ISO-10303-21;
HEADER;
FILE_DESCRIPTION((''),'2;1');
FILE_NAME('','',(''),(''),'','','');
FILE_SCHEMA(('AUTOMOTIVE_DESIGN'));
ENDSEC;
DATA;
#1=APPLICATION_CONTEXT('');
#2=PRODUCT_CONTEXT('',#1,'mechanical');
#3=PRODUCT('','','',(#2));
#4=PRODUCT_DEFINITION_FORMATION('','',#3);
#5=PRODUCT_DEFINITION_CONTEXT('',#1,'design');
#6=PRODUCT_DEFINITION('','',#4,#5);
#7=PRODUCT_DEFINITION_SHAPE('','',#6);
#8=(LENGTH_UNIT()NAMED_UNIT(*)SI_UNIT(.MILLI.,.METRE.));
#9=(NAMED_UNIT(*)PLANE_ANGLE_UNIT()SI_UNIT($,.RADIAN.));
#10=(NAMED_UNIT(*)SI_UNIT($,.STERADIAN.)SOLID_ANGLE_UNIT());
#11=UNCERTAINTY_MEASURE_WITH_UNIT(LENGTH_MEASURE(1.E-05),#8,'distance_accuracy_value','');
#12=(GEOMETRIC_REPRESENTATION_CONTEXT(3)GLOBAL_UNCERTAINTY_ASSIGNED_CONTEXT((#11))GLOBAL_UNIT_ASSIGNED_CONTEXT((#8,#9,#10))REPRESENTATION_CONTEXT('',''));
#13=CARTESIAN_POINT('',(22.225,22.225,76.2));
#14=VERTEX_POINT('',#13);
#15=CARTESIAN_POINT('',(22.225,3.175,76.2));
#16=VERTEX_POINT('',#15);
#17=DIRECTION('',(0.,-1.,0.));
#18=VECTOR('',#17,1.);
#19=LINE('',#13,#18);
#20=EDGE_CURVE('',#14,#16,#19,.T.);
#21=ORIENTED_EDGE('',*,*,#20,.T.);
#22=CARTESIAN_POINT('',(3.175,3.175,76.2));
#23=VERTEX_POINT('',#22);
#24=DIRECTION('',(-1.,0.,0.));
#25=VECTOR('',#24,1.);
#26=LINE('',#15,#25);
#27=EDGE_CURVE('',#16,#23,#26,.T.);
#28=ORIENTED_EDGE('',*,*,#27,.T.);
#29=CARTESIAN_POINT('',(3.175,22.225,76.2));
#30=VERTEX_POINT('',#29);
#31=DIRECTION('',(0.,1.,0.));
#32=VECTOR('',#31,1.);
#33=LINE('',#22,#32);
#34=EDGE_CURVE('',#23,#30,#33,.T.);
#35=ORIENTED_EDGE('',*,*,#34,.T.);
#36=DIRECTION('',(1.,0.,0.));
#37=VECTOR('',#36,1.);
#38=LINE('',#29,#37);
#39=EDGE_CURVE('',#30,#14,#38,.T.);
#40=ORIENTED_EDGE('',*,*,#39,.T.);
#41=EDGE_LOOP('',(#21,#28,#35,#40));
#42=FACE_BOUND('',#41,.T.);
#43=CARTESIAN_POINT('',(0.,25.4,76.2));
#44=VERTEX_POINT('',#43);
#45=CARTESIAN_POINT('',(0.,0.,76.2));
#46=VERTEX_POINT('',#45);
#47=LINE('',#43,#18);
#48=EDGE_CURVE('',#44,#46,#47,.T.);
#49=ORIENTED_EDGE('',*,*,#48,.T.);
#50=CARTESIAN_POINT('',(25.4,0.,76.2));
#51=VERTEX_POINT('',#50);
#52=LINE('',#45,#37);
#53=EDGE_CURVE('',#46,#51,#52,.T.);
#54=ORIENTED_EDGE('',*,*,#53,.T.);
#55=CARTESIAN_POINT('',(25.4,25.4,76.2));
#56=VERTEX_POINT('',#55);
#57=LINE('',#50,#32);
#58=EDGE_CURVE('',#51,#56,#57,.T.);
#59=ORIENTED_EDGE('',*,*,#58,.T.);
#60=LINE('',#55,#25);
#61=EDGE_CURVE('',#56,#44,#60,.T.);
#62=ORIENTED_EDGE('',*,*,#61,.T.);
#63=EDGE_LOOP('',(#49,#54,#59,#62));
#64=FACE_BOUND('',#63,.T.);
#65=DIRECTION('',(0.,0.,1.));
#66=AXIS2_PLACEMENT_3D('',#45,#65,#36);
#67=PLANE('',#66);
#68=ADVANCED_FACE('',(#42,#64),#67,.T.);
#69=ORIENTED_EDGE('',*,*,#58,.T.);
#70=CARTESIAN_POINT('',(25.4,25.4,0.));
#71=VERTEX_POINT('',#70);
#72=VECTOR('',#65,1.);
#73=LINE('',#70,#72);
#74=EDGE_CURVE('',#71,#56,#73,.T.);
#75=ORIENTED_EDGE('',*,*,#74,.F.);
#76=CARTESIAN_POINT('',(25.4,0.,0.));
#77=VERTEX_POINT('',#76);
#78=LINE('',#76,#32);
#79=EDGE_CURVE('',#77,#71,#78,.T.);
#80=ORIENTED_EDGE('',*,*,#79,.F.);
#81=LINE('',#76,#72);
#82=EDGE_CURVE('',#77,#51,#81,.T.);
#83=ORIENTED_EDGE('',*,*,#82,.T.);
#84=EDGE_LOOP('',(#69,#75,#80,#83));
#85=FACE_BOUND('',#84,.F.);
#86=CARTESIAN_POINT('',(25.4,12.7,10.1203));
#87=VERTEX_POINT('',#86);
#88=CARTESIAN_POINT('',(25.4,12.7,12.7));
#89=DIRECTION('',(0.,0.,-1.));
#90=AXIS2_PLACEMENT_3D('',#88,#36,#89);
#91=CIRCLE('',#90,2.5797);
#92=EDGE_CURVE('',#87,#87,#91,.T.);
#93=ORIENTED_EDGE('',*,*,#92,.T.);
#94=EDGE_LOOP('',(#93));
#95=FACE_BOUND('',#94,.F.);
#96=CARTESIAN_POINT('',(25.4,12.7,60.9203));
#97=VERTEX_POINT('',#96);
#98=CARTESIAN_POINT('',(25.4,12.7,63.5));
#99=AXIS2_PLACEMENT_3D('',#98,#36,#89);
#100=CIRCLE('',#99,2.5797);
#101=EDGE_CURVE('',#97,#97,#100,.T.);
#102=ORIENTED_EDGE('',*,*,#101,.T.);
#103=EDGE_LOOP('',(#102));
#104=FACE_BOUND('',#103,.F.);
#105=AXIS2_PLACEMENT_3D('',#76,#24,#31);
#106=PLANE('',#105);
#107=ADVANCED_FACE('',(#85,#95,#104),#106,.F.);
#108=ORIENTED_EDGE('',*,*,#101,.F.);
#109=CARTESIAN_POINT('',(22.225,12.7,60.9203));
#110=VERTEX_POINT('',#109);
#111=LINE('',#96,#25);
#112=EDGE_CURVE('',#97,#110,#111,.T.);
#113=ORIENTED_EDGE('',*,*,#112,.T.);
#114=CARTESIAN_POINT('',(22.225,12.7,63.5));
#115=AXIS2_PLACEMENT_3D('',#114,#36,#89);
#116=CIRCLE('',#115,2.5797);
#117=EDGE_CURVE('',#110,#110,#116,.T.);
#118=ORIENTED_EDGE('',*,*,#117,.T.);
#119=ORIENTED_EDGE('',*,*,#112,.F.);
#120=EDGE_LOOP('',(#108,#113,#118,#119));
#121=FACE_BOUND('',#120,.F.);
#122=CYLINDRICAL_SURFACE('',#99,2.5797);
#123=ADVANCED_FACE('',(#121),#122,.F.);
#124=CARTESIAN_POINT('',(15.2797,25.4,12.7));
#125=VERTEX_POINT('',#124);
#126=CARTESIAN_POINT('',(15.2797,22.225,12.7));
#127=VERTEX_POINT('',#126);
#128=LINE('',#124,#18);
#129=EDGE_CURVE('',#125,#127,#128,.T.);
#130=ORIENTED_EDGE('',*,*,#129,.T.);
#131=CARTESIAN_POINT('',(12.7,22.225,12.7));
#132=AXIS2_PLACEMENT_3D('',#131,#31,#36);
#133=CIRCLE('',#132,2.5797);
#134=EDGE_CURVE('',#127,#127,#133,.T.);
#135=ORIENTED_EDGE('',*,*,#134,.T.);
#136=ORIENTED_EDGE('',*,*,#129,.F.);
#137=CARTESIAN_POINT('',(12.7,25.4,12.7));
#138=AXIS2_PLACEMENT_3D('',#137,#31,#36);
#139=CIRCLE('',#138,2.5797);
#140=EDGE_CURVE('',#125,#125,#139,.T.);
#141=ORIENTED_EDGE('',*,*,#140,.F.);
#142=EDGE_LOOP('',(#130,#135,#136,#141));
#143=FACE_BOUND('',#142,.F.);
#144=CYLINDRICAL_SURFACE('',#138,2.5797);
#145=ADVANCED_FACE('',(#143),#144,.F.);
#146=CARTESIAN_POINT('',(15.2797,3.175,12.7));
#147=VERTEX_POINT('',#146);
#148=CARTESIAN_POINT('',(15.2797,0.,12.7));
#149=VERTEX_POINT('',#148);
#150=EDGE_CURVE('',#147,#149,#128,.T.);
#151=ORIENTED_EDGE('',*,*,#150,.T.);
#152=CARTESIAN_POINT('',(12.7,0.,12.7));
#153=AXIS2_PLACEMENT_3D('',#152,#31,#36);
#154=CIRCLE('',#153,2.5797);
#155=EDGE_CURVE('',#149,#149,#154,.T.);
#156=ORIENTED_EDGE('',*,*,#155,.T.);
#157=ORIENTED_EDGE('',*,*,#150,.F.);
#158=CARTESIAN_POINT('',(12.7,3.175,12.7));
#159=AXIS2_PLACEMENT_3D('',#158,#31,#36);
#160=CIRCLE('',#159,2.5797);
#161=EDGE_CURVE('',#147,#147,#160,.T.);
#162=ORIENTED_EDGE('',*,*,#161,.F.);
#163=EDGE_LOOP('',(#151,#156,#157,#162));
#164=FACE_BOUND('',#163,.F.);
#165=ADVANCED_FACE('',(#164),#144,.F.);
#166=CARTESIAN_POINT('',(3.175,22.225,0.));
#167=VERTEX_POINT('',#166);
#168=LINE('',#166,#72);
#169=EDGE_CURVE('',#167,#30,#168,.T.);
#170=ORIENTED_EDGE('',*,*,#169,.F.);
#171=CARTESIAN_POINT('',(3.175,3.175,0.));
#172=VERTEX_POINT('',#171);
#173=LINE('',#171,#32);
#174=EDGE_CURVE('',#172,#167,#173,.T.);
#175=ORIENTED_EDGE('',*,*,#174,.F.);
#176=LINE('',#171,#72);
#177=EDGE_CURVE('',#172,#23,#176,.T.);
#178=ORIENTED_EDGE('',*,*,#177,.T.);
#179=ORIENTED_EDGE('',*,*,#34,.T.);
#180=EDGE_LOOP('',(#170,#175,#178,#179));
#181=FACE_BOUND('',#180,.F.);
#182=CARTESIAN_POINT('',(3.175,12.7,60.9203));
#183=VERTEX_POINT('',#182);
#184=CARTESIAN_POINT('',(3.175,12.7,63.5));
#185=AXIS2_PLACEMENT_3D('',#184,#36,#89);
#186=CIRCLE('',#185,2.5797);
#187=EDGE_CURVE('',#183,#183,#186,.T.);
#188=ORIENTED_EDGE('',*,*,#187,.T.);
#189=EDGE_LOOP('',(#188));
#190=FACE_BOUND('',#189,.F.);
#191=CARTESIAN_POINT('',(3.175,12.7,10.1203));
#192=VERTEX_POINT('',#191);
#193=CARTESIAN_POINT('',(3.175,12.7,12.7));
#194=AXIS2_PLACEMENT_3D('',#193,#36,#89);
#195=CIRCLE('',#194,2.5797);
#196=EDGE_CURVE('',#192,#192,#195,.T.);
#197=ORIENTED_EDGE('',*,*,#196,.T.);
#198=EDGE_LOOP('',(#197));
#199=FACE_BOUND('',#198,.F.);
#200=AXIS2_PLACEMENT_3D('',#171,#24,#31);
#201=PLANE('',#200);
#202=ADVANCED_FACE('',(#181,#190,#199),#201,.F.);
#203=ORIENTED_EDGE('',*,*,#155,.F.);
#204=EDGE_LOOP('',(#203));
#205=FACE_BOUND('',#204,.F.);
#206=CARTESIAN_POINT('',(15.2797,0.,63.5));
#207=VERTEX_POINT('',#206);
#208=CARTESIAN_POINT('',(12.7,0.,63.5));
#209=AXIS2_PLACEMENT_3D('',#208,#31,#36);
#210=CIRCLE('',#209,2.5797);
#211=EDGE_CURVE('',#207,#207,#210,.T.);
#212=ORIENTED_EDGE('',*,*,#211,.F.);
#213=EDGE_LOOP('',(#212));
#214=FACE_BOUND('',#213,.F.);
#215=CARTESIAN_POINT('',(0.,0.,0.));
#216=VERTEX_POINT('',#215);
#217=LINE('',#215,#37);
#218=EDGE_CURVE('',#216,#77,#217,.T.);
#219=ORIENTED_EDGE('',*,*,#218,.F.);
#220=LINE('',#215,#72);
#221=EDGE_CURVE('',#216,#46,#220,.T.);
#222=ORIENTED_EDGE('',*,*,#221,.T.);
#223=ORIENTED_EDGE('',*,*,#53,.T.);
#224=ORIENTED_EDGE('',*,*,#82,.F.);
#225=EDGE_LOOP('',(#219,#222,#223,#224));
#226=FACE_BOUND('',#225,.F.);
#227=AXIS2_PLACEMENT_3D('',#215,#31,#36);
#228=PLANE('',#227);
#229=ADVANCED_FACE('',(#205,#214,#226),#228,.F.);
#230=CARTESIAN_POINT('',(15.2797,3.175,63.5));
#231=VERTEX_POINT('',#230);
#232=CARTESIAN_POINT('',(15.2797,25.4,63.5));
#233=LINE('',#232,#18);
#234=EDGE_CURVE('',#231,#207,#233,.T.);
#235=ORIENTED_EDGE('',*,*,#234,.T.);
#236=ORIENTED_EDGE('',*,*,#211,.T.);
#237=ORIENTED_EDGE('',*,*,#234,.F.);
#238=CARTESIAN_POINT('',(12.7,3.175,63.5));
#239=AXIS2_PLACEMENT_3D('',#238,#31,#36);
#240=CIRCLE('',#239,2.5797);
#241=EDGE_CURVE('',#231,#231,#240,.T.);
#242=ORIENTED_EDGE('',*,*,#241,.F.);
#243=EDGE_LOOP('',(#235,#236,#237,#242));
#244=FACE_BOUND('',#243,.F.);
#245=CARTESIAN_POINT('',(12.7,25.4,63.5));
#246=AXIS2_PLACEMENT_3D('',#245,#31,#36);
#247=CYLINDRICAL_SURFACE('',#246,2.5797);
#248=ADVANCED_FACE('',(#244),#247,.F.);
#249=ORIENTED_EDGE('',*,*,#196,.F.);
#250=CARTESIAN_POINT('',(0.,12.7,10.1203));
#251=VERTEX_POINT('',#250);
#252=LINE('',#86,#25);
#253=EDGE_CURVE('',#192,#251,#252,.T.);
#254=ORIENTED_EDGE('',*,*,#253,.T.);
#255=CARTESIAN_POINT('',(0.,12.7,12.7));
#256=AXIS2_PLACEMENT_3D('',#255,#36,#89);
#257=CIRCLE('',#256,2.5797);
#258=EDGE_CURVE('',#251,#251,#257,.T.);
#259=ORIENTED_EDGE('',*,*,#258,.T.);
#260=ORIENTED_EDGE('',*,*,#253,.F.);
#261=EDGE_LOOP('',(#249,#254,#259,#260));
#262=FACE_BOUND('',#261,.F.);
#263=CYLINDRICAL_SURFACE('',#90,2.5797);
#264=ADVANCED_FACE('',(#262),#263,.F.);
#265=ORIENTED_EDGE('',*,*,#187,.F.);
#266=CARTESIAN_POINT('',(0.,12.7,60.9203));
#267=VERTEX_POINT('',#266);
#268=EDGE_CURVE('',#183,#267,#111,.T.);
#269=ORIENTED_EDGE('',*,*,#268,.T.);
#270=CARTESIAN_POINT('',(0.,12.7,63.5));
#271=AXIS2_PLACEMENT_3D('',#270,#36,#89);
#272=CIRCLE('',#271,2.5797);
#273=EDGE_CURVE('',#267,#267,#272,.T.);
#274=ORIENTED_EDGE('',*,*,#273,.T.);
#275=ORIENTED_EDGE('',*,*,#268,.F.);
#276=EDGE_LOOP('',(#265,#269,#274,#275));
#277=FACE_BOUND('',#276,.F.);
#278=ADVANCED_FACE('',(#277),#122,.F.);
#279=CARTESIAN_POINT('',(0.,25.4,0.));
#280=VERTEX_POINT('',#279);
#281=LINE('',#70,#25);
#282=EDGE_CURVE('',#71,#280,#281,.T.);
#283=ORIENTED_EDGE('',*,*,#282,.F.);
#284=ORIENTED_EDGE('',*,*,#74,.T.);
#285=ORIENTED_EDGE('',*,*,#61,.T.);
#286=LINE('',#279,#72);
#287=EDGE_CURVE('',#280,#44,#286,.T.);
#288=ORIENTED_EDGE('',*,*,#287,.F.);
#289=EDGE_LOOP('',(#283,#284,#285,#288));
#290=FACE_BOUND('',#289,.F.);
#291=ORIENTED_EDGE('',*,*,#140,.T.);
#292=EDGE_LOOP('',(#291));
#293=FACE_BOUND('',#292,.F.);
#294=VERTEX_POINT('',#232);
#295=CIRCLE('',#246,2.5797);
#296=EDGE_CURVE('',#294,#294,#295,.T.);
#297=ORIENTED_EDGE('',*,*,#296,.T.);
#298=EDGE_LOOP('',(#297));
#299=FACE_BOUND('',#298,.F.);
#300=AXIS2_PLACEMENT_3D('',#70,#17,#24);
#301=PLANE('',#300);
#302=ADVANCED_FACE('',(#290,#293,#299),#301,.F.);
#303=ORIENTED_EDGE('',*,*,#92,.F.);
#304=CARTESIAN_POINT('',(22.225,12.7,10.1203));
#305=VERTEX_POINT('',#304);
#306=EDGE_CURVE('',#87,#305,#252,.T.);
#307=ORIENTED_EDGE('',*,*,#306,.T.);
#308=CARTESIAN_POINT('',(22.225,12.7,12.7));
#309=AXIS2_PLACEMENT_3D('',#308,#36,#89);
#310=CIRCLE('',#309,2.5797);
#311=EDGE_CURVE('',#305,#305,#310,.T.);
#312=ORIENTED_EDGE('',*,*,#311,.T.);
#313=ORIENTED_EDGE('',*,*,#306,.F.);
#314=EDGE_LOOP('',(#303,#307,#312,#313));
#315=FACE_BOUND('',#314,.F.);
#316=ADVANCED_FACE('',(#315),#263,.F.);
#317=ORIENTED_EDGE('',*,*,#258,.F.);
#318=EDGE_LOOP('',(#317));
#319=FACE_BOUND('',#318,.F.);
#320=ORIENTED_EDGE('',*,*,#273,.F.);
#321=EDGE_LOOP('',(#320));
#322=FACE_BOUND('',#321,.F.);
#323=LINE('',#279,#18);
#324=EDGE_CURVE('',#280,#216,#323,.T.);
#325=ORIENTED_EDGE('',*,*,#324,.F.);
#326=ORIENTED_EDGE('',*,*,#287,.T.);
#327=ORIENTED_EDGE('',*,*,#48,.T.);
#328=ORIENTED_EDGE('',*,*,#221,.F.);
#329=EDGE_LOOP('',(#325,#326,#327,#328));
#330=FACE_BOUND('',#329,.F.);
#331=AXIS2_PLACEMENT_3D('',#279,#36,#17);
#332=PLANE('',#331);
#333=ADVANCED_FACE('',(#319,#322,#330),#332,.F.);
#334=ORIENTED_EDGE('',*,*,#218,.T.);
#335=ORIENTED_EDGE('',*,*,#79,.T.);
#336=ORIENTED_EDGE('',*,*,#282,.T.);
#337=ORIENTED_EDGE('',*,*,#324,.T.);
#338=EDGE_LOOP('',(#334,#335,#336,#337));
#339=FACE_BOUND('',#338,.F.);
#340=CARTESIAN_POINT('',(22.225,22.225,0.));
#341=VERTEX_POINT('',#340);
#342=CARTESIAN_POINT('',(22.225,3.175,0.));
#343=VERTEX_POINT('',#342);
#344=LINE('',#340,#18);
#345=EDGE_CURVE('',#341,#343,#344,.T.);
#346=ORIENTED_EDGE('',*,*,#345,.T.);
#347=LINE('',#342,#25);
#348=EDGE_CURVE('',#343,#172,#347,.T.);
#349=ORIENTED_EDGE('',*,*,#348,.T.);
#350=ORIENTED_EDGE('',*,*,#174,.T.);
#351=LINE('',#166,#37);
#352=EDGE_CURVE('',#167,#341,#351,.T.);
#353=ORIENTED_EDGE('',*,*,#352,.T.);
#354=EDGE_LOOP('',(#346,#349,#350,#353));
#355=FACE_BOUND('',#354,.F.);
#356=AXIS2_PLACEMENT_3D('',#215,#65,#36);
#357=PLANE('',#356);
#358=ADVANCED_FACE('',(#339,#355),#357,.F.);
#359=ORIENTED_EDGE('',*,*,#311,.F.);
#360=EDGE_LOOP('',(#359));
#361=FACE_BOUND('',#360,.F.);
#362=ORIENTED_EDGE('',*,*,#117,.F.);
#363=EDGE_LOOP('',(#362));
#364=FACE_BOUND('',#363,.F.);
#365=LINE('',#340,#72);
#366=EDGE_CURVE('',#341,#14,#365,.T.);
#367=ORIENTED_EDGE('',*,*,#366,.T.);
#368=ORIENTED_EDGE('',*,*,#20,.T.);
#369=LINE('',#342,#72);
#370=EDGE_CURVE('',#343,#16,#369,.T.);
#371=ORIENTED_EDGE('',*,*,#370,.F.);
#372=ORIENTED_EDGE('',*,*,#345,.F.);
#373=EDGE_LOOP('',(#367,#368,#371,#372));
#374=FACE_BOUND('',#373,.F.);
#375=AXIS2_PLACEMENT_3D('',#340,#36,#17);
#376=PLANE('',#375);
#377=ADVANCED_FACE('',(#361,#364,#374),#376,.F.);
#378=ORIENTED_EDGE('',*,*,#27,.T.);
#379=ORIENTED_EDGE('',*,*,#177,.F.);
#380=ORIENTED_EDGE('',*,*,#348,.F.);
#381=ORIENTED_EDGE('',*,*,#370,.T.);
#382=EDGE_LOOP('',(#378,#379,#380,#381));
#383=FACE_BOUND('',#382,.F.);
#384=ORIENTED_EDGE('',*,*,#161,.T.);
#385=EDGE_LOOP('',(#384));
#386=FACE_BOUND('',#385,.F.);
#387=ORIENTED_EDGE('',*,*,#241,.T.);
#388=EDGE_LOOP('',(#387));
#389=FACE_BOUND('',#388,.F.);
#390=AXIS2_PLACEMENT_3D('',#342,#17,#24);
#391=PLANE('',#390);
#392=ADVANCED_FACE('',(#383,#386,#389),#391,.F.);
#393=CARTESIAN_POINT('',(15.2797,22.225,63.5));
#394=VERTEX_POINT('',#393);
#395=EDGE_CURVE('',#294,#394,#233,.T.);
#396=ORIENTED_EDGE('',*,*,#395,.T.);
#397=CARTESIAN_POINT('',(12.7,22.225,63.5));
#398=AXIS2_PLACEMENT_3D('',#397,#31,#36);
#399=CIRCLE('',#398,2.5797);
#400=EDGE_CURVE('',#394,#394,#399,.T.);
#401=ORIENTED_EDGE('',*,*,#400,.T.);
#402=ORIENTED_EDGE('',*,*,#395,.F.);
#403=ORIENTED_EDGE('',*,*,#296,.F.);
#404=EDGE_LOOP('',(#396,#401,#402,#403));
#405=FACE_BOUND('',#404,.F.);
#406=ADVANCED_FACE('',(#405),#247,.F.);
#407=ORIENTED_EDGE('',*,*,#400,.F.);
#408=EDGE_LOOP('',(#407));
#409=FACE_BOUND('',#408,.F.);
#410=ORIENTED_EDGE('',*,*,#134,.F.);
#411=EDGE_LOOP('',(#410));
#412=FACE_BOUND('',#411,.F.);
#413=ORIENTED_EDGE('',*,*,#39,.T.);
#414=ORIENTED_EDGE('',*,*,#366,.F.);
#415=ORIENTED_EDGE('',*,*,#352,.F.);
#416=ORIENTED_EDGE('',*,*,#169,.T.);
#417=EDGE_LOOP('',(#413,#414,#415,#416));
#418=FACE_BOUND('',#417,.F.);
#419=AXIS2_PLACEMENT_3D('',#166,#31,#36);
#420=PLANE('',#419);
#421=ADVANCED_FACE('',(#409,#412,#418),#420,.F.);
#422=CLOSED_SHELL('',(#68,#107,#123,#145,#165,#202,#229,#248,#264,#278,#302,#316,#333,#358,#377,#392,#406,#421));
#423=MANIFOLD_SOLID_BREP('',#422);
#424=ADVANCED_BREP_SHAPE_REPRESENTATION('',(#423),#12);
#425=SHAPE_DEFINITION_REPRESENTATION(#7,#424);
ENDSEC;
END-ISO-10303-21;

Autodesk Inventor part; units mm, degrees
ref_plane "YZ Plane" through (0, 0, 0) normal (1, 0, 0) x (0, 1, 0)
ref_plane "XZ Plane" through (0, 0, 0) normal (0, 1, 0) x (-1, 0, 0)
ref_plane "XY Plane" through (0, 0, 0) normal (0, 0, 1) x (1, 0, 0)
sketch "Sketch1" plane through (0, 0, 0) normal (0, 0, 1) x (1, 0, 0)
  line L0 (0, 0) -> (25.4, 0)
  line L1 (25.4, 0) -> (25.4, 25.4)
  line L2 (25.4, 25.4) -> (0, 25.4)
  line L3 (0, 25.4) -> (0, 0)
  line L4 (3.175, 22.225) -> (22.225, 22.225)
  line L5 (22.225, 22.225) -> (22.225, 3.175)
  line L6 (22.225, 3.175) -> (3.175, 3.175)
  line L7 (3.175, 3.175) -> (3.175, 22.225)
  dimension "d0" = 25.4
  dimension "d1" = 25.4
  dimension "d2" = 3.175
extrude "Extrusion1" add sketch "Sketch1" along normal blind 76.2
sketch "Sketch2" plane through (0, 25.4, 0) normal (0, 1, 0) x (1, 0, 0)
  line L0 (3.175, 0) -> (22.225, 0) construction
  line L1 (12.7, 0) -> (12.7, -12.7) construction
  line L2 (0, -76.2) -> (25.4, -76.2) construction
  line L3 (12.7, -76.2) -> (12.7, -63.5) construction
  circle A0 centre (12.7, -63.5) radius 2.5797
  circle A1 centre (12.7, -12.7) radius 2.5797
  point P0 (0, 0)
  dimension "d5" = 12.7
  dimension "d6" = 12.7
  dimension "d7" = 5.1594
extrude "Extrusion2" cut sketch "Sketch2" against normal blind 76.2
sketch "Sketch3" plane through (25.4, 0, 0) normal (1, 0, 0) x (0, 0, -1)
  line L0 (0, 22.225) -> (0, 3.175) projected
  line L1 (0, 12.7) -> (-12.7, 12.7) construction
  line L2 (-76.2, 3.175) -> (-76.2, 22.225) projected
  line L3 (-76.2, 12.7) -> (-63.5, 12.7) construction
  circle A0 centre (-63.5, 12.7) radius 2.5797
  circle A1 centre (-12.7, 12.7) radius 2.5797
  point P0 (0, 0)
  dimension "d10" = 12.7
  dimension "d11" = 12.7
  dimension "d12" = 5.1594
extrude "Extrusion3" cut sketch "Sketch3" against normal blind 76.2
properties part number "1x1 3in"
